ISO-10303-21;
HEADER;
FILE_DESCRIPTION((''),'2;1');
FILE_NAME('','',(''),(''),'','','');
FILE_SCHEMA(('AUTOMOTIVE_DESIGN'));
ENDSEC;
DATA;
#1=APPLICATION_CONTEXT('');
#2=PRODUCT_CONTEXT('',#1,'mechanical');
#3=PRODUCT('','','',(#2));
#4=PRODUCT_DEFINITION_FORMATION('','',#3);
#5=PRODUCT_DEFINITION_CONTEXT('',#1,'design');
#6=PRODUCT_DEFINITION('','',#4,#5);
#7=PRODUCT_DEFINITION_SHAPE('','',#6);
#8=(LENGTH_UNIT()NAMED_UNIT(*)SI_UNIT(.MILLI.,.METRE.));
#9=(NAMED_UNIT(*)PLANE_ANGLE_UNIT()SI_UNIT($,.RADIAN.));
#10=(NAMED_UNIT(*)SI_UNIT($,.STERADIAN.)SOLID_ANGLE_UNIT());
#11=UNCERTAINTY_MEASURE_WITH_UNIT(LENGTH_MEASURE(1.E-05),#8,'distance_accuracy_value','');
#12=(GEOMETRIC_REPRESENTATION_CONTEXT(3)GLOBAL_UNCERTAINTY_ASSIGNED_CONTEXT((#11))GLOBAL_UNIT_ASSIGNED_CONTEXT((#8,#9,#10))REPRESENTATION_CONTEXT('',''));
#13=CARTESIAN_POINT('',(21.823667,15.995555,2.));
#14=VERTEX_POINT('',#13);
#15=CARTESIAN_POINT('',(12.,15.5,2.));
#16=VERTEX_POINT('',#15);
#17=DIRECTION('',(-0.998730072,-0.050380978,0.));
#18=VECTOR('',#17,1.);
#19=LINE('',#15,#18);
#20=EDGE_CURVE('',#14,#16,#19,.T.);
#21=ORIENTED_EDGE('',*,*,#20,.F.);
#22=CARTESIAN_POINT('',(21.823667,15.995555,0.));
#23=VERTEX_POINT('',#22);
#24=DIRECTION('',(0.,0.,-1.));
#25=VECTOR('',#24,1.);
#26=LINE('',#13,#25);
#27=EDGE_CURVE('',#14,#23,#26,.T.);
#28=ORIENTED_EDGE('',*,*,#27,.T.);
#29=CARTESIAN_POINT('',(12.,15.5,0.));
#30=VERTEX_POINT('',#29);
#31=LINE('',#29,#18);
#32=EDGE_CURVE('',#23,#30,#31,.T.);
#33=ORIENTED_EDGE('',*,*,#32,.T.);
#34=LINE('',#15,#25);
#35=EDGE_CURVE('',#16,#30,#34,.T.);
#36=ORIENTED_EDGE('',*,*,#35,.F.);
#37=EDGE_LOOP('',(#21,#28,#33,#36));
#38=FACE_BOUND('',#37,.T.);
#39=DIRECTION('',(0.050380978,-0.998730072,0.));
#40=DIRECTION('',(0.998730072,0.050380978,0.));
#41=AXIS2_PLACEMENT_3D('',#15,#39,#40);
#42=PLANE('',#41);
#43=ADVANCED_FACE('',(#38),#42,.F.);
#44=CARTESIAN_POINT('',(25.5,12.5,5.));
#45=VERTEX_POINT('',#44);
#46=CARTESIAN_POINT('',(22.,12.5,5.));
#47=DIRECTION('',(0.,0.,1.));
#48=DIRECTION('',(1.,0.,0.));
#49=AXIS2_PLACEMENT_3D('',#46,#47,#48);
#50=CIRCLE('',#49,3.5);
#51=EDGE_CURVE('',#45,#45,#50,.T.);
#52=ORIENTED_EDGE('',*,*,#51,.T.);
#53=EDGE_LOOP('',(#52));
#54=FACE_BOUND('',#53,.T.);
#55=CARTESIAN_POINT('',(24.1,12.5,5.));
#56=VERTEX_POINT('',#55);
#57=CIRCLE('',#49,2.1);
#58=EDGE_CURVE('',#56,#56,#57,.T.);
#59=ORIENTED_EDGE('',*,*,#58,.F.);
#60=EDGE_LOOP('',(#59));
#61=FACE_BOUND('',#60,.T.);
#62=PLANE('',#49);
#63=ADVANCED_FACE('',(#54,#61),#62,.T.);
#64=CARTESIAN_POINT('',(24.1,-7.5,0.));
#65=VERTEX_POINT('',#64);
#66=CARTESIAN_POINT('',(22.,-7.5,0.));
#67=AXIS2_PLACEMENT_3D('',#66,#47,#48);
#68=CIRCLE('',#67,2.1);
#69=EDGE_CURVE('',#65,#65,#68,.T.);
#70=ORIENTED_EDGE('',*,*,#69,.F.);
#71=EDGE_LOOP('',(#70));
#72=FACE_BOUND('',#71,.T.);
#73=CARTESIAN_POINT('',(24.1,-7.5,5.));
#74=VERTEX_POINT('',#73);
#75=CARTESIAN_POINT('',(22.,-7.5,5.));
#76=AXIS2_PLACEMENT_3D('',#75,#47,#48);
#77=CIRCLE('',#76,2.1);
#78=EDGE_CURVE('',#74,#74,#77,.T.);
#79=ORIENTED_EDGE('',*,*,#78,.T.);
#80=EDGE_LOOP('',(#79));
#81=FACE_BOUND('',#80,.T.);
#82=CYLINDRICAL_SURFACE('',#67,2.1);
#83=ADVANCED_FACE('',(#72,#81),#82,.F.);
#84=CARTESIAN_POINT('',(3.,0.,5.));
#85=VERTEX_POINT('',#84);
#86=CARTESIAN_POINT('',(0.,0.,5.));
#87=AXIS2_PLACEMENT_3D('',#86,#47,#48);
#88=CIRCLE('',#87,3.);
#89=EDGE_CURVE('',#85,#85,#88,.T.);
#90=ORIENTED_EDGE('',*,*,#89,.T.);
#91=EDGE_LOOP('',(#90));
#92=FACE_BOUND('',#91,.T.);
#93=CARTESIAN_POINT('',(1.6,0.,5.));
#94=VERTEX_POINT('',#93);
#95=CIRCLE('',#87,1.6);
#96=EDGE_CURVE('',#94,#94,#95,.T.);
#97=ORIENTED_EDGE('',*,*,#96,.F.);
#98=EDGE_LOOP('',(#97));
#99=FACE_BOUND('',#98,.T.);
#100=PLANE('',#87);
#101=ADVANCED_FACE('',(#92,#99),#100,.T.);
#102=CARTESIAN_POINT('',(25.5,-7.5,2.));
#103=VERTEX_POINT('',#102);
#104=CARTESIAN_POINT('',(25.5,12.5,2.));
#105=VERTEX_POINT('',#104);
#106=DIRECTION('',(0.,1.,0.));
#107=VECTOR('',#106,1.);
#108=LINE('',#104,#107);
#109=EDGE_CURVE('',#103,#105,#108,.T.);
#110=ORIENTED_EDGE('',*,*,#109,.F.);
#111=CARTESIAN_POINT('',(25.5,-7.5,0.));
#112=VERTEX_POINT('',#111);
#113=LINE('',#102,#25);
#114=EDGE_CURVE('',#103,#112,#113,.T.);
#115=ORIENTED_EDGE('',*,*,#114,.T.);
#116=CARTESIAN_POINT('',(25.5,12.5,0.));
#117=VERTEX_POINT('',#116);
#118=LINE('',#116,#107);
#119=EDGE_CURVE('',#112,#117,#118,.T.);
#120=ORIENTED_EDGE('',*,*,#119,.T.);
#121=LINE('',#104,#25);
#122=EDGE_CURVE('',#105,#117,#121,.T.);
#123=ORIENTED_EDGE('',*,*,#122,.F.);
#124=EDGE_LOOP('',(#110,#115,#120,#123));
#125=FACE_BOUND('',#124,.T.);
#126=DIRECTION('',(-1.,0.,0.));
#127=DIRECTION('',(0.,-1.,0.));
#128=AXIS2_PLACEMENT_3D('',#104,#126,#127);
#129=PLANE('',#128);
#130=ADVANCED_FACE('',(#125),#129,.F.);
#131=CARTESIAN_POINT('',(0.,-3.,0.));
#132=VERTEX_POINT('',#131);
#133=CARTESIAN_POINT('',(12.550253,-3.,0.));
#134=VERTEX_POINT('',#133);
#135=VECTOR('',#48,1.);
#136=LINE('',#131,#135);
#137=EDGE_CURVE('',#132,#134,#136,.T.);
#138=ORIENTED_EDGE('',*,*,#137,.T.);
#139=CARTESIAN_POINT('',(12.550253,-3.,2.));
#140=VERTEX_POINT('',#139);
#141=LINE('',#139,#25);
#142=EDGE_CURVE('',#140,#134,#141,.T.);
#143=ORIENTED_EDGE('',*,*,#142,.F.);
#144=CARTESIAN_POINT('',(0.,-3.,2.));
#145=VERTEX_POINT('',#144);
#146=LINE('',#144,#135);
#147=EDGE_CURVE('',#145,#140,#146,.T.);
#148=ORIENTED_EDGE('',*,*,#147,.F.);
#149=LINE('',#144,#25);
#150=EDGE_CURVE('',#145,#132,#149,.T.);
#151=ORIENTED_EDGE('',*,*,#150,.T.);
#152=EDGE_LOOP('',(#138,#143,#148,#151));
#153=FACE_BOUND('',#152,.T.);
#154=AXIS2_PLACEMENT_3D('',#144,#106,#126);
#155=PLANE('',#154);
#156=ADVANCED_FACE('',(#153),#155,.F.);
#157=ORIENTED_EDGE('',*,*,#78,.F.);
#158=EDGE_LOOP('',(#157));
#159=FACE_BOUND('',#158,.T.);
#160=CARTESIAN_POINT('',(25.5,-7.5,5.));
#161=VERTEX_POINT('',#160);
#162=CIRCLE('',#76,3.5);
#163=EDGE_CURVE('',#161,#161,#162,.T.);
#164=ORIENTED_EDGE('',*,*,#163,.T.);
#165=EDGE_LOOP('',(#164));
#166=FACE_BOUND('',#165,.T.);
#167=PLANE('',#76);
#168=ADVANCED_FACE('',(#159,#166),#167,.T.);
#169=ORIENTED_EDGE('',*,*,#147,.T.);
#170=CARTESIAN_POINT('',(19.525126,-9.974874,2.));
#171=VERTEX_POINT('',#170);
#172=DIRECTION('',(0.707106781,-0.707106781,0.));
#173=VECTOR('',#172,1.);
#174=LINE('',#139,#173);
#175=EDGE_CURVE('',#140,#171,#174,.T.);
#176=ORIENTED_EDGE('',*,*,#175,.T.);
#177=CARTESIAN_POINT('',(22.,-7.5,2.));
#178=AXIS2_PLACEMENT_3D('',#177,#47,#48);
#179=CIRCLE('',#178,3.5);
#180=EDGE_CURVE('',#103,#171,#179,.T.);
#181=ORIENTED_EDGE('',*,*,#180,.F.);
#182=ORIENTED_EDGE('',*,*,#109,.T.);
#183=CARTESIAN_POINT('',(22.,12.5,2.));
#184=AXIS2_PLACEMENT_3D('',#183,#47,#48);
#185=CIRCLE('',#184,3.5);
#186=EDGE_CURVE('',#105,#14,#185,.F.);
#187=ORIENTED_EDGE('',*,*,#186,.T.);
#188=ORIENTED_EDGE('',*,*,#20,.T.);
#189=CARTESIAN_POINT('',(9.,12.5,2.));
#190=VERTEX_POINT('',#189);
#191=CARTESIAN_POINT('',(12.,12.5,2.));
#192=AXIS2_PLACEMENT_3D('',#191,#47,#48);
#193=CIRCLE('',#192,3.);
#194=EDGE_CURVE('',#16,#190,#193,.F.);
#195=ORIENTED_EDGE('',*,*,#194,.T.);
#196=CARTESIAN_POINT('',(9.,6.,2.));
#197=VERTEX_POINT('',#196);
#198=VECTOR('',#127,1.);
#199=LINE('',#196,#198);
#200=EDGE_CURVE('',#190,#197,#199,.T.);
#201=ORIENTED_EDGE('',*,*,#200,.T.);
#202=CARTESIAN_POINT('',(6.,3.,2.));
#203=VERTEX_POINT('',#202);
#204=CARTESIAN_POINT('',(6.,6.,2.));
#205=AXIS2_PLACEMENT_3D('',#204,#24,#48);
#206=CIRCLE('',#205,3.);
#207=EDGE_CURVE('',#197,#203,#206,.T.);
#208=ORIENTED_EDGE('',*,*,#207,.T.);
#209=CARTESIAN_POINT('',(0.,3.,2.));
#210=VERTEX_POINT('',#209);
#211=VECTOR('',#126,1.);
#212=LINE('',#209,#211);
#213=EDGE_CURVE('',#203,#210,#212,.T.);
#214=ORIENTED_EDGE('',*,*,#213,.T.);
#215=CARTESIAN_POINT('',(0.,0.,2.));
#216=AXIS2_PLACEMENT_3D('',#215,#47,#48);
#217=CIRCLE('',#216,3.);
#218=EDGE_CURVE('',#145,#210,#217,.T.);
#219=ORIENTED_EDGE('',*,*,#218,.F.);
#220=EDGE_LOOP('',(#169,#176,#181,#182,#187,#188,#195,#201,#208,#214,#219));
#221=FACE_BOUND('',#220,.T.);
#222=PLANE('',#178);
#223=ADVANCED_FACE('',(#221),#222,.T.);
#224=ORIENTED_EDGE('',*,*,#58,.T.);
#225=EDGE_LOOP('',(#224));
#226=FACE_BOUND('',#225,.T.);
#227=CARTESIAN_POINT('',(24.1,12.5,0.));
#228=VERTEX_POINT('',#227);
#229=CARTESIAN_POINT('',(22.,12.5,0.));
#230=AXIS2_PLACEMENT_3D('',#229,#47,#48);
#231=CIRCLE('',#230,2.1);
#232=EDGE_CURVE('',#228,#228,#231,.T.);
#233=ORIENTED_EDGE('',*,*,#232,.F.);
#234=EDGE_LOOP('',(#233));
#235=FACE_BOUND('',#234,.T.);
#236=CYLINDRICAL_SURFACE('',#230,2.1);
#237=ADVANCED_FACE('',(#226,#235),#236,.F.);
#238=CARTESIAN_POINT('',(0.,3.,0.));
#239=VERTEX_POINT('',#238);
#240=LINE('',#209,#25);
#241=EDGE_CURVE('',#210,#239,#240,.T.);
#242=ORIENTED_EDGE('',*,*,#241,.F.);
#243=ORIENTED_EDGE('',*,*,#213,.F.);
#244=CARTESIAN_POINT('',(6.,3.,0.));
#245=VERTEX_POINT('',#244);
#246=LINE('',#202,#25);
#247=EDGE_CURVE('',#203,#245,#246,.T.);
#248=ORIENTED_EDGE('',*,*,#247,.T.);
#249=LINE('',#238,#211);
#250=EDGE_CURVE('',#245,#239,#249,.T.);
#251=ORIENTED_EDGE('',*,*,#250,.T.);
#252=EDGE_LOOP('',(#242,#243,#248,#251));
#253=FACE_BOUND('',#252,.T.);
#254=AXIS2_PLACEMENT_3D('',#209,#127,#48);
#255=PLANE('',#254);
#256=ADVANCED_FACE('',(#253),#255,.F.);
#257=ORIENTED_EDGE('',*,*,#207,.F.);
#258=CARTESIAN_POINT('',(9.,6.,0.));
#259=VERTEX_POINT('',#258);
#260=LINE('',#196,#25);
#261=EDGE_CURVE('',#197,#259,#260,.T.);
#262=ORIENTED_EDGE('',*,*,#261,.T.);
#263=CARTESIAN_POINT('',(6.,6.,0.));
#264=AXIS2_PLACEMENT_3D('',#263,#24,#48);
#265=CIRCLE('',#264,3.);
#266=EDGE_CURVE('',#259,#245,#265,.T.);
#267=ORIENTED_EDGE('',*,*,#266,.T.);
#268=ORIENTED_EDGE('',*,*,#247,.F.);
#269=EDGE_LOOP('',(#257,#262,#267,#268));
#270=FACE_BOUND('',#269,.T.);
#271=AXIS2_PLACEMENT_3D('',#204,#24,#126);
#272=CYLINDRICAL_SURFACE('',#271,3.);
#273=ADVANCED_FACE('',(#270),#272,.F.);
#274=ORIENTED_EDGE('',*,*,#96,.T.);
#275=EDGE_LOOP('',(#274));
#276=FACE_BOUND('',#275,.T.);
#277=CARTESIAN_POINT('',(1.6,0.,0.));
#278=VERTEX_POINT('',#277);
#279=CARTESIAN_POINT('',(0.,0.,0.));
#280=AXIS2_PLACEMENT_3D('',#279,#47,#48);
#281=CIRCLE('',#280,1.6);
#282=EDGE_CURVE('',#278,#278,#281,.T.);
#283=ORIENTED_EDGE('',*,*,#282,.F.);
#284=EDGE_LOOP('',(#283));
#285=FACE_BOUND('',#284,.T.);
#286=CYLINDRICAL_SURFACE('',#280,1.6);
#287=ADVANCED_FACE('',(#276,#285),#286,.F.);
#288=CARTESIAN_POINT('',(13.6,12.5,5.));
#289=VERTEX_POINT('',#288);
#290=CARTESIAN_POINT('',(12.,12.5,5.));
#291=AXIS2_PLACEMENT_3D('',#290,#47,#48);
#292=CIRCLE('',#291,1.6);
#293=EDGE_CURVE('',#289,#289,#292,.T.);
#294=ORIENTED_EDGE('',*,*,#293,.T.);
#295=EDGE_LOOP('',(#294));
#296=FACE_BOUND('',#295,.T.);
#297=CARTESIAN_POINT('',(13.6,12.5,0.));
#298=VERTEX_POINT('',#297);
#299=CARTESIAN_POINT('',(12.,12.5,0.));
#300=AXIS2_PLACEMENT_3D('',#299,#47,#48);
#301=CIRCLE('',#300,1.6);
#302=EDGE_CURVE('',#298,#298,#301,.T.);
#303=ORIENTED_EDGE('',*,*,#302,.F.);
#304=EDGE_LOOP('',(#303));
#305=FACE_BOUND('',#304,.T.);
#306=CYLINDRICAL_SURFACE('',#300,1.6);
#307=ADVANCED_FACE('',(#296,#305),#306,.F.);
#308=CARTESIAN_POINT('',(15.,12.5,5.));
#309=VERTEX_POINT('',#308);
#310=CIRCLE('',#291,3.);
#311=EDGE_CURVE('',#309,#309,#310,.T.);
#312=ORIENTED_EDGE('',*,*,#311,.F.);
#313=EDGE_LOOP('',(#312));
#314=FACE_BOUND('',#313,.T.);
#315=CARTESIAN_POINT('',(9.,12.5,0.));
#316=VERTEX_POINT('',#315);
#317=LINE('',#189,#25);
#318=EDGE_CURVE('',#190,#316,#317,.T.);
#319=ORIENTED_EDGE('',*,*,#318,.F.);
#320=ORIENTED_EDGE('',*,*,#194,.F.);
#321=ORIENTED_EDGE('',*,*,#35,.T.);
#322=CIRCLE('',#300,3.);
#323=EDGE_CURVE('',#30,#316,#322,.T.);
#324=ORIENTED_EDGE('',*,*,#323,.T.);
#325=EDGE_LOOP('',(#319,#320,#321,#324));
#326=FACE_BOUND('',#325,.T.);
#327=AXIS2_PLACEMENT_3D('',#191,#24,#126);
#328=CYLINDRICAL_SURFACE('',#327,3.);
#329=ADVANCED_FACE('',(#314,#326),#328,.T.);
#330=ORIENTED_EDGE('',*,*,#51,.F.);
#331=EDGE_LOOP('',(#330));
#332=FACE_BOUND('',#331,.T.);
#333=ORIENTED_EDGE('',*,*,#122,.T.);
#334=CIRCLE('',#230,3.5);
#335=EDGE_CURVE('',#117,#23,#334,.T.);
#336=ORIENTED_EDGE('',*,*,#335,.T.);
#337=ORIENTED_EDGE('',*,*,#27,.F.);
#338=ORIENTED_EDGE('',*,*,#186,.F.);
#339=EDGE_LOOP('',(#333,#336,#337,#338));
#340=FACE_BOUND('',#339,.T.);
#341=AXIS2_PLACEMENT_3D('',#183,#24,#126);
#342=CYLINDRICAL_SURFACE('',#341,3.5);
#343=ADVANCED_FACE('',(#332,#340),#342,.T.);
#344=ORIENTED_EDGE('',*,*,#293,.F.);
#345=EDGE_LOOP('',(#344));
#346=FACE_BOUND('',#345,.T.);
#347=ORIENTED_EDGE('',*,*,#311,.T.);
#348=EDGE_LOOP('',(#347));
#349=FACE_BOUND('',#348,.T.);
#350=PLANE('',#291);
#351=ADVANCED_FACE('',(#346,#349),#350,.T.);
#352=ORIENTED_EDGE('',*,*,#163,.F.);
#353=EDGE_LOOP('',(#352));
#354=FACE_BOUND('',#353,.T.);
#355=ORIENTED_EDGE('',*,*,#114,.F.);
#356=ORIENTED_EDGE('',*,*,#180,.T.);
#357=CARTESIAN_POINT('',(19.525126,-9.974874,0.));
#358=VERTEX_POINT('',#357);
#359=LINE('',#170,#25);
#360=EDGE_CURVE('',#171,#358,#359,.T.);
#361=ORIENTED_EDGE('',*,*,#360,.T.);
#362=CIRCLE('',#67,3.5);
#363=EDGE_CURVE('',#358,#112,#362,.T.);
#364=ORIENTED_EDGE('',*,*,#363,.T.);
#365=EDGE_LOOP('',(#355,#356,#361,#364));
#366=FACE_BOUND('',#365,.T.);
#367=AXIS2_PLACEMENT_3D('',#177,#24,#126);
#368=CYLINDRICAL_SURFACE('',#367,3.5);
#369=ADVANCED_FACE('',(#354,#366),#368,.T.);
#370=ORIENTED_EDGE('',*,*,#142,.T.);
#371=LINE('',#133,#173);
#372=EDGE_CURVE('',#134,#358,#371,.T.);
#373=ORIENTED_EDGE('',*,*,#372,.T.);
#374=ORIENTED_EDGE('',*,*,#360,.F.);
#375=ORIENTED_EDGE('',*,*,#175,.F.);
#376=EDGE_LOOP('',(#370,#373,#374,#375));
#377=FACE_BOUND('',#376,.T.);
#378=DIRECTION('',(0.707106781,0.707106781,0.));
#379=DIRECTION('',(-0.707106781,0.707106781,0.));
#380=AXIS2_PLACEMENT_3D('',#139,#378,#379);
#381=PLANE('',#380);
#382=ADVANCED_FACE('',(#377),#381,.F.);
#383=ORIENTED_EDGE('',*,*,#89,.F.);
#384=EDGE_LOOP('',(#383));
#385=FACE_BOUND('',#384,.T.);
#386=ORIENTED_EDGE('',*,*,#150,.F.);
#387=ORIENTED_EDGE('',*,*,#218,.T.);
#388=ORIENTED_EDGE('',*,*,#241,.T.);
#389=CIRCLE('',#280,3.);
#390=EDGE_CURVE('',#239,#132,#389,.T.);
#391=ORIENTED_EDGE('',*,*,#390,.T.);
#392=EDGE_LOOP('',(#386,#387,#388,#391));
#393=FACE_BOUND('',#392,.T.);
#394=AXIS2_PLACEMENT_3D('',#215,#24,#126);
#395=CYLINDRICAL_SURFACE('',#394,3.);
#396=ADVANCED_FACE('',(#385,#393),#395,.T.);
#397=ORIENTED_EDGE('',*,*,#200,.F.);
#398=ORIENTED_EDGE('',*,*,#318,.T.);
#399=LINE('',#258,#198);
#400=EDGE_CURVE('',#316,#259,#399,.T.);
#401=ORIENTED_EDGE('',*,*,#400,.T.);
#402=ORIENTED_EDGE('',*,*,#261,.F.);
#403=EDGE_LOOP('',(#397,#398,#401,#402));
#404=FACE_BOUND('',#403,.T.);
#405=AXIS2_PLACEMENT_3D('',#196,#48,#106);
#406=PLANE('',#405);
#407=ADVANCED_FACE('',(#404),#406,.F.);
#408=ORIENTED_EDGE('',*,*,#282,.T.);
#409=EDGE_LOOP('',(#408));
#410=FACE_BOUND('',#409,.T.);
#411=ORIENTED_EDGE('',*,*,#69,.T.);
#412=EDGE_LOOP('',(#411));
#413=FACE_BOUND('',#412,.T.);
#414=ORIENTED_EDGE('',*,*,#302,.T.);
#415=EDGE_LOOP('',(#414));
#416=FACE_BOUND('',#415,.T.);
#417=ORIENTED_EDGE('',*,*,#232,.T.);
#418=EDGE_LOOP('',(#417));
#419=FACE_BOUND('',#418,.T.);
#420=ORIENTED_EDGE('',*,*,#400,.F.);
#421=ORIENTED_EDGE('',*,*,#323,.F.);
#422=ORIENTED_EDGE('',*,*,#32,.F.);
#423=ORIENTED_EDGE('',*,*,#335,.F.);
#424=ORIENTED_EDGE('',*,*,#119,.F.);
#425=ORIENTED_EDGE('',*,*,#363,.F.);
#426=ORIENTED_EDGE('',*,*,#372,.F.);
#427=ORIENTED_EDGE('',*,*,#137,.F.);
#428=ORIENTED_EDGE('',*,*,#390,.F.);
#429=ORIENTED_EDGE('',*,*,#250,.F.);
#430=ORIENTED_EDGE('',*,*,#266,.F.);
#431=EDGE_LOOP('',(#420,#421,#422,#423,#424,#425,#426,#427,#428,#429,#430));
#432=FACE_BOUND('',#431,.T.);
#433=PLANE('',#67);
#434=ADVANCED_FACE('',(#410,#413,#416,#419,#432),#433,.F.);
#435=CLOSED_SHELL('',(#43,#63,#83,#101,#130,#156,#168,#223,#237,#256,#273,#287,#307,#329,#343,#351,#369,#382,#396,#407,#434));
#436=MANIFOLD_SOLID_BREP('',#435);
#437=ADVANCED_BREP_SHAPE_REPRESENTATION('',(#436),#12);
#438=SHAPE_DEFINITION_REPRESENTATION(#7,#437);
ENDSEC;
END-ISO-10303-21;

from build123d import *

# Parameters (mm, degrees)
BOSS_EXTRUDE1_DEPTH = 2
SKETCH2_R           = 3
SKETCH2_R_2         = 3.5
BOSS_EXTRUDE2_DEPTH = 3
SKETCH3_R           = 1.6
SKETCH3_R_2         = 2.1
CUT_EXTRUDE1_DEPTH  = 6


with BuildPart() as part:
    # Sketch1 → Boss-Extrude1 (new body)
    with BuildSketch(Plane.XY):
        with BuildLine():
            Line((0, 3), (6, 3))
            ThreePointArc((6, 3), (8.121320344, 3.878679656), (9, 6))
            Line((9, 6), (9, 12.5))
            ThreePointArc((9, 12.5), (9.878679656, 14.621320344), (12, 15.5))
            Line((12, 15.5), (21.823666576, 15.995555253))
            ThreePointArc((21.823666576, 15.995555253), (24.411724799, 15.036450964), (25.5, 12.5))
            Line((25.5, 12.5), (25.5, -7.5))
            ThreePointArc((25.5, -7.5), (23.339392013, -10.733578364), (19.525126266, -9.974873734))
            Line((19.525126266, -9.974873734), (12.550252532, -3))
            Line((12.550252532, -3), (0, -3))
            ThreePointArc((0, -3), (-3, 0), (0, 3))
        make_face()
    extrude(amount=BOSS_EXTRUDE1_DEPTH)

    # Sketch2 → Boss-Extrude2 (add)
    with BuildSketch(Plane.XY.offset(2)):
        Circle(SKETCH2_R)
        with Locations((12, 12.5)):
            Circle(SKETCH2_R)
        with Locations((22, 12.5)):
            Circle(SKETCH2_R_2)
        with Locations((22, -7.5)):
            Circle(SKETCH2_R_2)
    extrude(amount=BOSS_EXTRUDE2_DEPTH)

    # Sketch3 → Cut-Extrude1 (cut, through all)
    with BuildSketch(Plane.XY.offset(5)):
        Circle(SKETCH3_R)
        with Locations((12, 12.5)):
            Circle(SKETCH3_R)
        with Locations((22, 12.5)):
            Circle(SKETCH3_R_2)
        with Locations((22, -7.5)):
            Circle(SKETCH3_R_2)
    extrude(amount=-CUT_EXTRUDE1_DEPTH, mode=Mode.SUBTRACT)


solid = part.part
